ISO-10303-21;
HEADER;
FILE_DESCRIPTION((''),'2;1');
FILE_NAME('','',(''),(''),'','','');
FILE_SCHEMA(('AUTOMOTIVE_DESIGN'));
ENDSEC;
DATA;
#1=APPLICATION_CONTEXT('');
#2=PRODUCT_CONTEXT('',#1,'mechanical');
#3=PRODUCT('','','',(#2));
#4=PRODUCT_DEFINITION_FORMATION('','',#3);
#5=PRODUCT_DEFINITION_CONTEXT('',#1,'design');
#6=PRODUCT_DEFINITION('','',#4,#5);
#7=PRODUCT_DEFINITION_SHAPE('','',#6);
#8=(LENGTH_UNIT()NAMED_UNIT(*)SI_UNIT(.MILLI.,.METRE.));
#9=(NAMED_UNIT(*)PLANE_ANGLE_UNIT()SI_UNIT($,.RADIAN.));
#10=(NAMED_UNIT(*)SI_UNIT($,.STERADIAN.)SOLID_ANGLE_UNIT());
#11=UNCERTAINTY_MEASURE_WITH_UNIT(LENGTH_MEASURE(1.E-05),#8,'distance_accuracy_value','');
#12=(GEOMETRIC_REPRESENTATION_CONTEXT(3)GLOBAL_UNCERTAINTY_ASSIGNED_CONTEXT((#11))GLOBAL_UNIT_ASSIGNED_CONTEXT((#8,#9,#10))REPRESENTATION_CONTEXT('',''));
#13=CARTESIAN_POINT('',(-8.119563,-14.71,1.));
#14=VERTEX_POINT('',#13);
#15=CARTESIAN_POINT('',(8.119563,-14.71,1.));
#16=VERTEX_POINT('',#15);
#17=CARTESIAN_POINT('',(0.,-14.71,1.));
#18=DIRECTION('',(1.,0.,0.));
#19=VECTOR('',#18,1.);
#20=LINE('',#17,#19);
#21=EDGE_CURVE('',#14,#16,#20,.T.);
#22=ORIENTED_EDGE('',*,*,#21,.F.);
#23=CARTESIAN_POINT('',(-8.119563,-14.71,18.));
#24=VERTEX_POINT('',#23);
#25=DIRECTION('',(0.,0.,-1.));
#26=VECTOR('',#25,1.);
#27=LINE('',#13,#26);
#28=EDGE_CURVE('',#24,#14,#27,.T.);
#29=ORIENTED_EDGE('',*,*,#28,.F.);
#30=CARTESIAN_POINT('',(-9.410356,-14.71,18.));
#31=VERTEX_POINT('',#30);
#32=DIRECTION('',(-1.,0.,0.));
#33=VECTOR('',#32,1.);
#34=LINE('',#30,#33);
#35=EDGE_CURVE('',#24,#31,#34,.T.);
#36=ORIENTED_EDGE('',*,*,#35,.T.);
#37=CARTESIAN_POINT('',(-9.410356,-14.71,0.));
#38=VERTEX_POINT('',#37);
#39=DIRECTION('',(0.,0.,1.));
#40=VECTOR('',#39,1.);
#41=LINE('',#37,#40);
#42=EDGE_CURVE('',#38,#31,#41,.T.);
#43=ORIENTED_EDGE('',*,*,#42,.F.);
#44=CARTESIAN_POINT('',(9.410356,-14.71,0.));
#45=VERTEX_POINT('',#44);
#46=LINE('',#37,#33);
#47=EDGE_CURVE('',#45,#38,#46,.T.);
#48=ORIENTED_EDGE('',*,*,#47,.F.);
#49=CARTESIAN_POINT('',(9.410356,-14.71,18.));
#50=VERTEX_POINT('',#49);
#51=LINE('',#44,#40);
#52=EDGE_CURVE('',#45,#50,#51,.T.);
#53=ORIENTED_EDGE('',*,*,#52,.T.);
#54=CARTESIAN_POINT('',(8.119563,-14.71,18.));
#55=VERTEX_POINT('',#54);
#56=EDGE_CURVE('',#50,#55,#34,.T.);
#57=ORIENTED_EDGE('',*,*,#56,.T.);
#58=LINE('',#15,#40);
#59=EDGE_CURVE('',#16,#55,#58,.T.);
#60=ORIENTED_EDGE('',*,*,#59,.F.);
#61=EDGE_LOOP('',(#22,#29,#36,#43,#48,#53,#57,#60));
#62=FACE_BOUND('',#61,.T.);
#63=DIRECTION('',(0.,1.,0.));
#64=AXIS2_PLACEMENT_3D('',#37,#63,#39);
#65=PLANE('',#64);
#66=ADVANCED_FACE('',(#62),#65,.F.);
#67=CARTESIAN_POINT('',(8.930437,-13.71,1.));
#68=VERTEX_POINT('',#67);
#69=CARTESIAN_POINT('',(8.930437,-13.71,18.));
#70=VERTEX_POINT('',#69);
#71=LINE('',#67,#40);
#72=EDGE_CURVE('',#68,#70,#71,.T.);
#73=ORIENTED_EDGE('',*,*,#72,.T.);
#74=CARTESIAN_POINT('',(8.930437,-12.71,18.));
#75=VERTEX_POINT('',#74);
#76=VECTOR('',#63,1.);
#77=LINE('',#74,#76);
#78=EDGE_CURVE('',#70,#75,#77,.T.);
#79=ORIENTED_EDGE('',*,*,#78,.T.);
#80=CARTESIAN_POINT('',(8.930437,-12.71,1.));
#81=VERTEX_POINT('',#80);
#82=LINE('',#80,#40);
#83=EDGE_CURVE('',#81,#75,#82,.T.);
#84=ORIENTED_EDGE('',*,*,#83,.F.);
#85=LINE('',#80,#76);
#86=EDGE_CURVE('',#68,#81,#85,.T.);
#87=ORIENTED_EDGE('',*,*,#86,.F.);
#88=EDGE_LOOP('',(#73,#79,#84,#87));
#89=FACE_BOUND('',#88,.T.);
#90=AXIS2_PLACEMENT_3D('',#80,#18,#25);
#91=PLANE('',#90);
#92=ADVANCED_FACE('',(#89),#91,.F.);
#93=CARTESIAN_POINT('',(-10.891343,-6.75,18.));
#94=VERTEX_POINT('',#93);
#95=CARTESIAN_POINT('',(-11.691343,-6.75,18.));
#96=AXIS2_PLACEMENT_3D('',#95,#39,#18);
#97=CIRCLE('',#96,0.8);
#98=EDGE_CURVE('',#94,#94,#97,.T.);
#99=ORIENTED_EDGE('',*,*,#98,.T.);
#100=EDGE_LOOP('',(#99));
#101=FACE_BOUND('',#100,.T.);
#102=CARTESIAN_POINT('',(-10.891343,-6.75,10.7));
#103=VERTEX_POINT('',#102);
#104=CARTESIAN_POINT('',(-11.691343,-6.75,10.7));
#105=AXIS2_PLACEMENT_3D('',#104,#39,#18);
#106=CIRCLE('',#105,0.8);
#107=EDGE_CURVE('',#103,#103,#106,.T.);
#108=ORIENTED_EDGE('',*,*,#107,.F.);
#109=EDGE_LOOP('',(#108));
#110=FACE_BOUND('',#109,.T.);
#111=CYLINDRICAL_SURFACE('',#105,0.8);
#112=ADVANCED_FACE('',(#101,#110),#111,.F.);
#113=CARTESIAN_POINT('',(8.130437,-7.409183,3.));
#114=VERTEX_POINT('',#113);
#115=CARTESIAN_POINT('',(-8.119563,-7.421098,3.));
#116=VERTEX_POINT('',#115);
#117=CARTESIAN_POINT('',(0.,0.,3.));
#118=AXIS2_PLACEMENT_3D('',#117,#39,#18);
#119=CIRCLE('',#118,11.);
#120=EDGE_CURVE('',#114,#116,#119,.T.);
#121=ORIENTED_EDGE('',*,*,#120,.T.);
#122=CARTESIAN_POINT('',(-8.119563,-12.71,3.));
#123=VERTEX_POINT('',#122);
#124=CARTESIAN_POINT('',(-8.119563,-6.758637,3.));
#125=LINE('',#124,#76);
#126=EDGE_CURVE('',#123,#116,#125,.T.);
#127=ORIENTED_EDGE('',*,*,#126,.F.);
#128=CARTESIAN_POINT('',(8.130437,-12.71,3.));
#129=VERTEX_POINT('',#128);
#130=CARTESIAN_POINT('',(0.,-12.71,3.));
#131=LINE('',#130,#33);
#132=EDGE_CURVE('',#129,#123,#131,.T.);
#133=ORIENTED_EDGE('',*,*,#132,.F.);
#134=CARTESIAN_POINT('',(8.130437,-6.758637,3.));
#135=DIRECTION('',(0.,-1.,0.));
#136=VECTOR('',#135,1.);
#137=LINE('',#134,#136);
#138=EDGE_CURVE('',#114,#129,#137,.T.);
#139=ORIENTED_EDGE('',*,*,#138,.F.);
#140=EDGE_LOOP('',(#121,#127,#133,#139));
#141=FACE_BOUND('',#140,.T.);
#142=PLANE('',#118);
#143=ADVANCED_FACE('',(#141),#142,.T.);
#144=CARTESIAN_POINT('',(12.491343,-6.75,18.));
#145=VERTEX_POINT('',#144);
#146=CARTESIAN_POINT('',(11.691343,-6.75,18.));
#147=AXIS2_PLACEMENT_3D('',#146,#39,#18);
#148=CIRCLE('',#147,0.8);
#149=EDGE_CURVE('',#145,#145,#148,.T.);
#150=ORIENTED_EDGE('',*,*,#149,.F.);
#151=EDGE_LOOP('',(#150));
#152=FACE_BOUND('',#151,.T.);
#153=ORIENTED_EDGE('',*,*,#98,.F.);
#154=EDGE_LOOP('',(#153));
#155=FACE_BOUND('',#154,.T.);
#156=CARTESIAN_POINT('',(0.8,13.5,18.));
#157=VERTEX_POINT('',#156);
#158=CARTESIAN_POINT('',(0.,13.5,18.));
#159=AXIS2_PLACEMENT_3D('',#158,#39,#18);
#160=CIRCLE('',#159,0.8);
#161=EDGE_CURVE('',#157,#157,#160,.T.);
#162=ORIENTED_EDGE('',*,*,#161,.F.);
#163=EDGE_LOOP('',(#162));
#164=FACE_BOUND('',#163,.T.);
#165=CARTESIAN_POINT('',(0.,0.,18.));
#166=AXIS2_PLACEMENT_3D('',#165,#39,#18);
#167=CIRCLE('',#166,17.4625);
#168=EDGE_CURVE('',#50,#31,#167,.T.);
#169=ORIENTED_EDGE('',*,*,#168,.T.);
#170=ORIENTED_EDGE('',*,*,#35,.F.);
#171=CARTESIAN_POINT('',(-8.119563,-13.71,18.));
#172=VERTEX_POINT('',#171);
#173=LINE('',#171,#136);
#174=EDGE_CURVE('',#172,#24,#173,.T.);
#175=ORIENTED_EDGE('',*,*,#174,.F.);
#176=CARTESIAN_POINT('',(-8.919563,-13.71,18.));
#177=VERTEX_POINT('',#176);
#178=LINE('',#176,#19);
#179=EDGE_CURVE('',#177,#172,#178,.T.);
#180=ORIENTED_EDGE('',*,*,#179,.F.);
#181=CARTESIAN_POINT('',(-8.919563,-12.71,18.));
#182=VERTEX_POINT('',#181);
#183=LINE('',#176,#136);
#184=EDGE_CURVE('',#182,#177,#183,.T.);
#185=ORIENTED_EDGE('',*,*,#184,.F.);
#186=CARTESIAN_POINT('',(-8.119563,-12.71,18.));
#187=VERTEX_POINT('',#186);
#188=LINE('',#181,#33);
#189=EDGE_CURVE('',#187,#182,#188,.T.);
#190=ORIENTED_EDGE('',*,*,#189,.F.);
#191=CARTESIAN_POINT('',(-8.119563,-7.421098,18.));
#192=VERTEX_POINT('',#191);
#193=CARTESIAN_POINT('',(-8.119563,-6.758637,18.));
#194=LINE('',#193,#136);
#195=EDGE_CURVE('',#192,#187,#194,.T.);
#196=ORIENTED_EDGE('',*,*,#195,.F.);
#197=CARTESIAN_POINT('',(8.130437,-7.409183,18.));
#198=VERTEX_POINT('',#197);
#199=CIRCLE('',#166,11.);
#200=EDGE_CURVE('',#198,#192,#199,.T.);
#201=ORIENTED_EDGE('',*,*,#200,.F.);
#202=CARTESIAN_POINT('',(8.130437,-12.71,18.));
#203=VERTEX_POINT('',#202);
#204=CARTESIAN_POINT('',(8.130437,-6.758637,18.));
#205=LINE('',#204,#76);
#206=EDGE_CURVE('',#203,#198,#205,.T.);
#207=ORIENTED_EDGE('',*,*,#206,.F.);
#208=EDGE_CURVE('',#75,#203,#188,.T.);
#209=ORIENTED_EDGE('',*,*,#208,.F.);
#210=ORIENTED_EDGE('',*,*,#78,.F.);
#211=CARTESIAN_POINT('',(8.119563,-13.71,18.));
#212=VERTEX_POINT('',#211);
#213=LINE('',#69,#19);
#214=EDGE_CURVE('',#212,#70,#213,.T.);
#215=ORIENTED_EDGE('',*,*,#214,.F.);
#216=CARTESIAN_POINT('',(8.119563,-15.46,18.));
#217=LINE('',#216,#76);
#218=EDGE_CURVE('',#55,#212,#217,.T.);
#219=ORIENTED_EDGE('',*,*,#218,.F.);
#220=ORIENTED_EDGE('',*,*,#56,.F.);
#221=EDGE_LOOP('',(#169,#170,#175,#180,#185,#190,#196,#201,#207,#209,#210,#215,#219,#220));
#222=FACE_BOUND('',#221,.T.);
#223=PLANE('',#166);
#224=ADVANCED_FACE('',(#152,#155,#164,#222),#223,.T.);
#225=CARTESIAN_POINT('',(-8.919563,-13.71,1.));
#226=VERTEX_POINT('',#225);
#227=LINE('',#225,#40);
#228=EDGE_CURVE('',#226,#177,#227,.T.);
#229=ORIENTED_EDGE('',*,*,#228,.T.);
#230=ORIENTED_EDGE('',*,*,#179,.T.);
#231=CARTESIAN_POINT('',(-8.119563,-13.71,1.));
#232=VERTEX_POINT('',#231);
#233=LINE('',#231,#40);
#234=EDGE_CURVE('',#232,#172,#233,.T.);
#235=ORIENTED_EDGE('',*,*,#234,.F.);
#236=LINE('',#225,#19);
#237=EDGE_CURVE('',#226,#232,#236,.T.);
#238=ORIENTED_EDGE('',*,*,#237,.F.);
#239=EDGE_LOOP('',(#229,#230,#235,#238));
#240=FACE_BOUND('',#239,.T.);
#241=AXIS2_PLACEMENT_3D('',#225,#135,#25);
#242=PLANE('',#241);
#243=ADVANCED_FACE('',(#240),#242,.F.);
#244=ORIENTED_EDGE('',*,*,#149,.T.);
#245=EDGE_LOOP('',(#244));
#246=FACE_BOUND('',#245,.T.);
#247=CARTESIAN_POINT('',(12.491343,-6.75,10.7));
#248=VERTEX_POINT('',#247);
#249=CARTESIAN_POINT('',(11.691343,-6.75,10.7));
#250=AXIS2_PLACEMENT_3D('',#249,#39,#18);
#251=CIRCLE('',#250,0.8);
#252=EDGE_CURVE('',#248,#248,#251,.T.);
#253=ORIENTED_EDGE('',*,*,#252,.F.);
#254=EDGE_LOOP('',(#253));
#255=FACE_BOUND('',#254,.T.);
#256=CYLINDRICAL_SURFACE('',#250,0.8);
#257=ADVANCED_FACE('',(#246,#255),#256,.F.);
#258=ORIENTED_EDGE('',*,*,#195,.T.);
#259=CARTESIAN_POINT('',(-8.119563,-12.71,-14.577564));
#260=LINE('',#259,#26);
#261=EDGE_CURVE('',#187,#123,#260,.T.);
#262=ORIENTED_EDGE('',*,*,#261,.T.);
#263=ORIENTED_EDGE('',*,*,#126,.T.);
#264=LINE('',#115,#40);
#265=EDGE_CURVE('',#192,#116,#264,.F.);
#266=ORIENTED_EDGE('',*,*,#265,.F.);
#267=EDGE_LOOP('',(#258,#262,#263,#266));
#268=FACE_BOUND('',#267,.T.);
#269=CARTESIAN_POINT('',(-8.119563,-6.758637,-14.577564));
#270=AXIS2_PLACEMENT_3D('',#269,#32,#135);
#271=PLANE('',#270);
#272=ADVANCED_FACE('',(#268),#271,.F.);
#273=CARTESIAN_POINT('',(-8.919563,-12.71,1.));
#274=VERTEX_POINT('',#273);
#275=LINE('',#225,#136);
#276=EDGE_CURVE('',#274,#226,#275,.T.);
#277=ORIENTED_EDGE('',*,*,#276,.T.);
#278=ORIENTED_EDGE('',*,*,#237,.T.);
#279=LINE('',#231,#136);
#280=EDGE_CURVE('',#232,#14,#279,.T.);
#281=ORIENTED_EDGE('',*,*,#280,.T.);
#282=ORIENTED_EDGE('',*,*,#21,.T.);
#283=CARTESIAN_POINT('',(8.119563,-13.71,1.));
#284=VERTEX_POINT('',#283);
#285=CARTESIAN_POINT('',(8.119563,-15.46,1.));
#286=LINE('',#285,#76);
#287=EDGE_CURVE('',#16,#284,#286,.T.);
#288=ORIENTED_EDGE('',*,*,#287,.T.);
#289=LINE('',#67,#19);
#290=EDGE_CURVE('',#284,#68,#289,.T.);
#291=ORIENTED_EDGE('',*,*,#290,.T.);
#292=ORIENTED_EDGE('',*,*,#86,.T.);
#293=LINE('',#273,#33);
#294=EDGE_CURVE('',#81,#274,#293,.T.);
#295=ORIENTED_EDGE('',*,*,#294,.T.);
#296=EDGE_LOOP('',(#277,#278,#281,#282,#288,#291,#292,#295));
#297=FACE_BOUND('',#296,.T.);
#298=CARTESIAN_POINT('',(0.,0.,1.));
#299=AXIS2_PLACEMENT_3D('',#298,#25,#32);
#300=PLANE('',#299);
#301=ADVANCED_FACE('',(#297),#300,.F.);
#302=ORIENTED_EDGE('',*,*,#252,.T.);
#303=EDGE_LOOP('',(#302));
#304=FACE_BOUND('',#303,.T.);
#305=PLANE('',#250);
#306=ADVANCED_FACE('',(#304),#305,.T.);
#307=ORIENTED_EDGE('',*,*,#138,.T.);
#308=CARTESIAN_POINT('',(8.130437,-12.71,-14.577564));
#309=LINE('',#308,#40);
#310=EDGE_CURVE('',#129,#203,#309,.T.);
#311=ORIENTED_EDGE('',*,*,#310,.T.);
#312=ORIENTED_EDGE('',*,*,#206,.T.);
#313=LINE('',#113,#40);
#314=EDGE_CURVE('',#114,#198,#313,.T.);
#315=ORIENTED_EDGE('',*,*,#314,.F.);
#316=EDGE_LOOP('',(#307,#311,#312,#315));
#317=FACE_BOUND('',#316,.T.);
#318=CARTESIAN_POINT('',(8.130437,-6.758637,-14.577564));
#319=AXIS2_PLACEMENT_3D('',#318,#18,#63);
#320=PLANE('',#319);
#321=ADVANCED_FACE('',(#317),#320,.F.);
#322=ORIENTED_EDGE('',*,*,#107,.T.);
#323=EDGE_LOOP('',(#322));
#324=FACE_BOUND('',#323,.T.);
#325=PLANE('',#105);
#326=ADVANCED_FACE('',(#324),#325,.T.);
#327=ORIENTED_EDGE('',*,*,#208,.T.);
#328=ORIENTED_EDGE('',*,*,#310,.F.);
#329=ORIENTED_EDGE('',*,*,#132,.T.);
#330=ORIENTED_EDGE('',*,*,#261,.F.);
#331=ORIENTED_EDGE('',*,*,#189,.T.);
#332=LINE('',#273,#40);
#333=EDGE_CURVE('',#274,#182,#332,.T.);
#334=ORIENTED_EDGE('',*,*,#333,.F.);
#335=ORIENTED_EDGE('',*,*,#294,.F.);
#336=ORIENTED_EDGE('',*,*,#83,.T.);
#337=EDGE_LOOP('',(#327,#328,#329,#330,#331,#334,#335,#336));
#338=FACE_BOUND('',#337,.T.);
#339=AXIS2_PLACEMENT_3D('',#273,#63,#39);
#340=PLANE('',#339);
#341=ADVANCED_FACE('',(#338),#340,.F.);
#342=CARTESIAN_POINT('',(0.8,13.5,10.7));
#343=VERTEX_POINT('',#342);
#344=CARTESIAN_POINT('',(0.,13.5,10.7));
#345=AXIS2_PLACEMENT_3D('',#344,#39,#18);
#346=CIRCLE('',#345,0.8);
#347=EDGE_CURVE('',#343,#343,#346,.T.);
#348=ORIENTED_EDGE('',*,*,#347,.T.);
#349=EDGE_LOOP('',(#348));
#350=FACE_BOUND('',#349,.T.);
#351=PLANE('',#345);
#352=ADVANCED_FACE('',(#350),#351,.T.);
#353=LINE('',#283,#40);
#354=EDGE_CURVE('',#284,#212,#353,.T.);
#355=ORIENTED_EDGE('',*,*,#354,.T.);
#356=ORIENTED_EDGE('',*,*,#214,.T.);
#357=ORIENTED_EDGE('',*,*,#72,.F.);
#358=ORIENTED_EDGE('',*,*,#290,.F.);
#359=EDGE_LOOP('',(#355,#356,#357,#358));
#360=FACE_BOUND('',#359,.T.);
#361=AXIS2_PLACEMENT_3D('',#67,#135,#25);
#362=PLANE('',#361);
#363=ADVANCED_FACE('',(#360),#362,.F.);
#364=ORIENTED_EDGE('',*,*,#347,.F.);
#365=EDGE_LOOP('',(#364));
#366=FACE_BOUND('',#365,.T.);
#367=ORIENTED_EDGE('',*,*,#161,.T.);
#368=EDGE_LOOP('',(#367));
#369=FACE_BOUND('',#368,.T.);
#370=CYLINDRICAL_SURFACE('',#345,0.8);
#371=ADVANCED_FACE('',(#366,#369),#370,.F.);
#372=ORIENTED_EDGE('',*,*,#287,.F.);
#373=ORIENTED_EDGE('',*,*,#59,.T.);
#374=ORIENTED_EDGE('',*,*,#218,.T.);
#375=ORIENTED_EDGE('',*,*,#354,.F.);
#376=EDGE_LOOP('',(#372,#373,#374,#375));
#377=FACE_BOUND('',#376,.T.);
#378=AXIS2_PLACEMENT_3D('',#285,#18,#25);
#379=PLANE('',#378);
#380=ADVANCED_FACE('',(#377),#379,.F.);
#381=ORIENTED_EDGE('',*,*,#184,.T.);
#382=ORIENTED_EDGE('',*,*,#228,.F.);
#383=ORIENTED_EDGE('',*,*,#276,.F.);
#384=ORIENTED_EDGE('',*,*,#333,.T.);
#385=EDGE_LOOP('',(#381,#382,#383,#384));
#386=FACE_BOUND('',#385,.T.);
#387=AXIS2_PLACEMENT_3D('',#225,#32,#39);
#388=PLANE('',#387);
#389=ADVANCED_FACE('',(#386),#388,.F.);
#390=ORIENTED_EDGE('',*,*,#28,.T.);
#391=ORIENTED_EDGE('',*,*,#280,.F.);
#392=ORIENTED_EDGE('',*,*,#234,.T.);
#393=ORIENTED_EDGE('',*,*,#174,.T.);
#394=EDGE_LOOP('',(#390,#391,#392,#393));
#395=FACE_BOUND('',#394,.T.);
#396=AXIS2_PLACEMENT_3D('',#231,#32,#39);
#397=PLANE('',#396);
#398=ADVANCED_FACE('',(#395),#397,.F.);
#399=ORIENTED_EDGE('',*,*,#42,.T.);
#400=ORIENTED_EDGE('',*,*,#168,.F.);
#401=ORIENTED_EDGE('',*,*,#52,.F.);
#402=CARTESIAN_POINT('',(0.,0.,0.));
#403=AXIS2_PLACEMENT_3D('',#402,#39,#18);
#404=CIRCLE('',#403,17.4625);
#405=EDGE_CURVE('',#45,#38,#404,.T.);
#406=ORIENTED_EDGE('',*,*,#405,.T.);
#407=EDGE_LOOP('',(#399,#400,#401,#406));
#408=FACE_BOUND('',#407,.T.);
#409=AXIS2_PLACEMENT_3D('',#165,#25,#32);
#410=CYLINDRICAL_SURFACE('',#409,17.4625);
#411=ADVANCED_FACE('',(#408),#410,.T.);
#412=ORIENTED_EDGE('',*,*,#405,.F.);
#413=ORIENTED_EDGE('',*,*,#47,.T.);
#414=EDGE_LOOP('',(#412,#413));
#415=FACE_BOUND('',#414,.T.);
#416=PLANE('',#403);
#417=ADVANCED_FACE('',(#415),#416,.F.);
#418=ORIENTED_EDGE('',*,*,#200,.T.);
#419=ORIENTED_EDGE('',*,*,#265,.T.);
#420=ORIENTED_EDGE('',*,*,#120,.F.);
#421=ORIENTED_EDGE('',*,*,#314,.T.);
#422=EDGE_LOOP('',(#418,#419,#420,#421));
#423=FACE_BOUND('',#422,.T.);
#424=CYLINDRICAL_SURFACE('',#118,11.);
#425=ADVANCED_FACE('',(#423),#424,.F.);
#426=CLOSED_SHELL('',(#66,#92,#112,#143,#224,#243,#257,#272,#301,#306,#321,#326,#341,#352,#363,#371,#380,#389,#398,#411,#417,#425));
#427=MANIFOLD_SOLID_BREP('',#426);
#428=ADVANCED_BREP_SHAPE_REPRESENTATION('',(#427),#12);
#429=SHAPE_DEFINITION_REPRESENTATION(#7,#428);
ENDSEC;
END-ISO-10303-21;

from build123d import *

# Parameters (mm, degrees)
SKETCH2_R           = 17.4625
BOSS_EXTRUDE1_DEPTH = 18
SKETCH13_R          = 0.8
CUT_EXTRUDE6_DEPTH  = 7.3
SKETCH16_R          = 11
CUT_EXTRUDE9_DEPTH  = 15
CUT_EXTRUDE11_DEPTH = 22
SKETCH21_W          = 16.25
SKETCH21_H          = 2.78436417
CUT_EXTRUDE12_DEPTH = 31.559414466
CUT_EXTRUDE13_REACH = 32.559
SKETCH24_W          = 16.25
SKETCH24_H          = 6.70136321
CUT_EXTRUDE14_DEPTH = 17
SKETCH27_W          = 18.82071266
SKETCH27_H          = 0.75
CUT_EXTRUDE15_DEPTH = 31.559414466


with BuildPart() as part:
    # Sketch2 → Boss-Extrude1 (new body)
    with BuildSketch(Plane.XY):
        Circle(SKETCH2_R)
    extrude(amount=BOSS_EXTRUDE1_DEPTH)

    # Sketch13 → Cut-Extrude6 (cut)
    with BuildSketch(Plane.XY.offset(18)):
        with Locations((0, 13.5)):
            Circle(SKETCH13_R)
        with Locations((11.691342951, -6.75)):
            Circle(SKETCH13_R)
        with Locations((-11.691342951, -6.75)):
            Circle(SKETCH13_R)
    extrude(amount=-CUT_EXTRUDE6_DEPTH, mode=Mode.SUBTRACT)

    # Sketch16 → Cut-Extrude9 (cut)
    with BuildSketch(Plane.XY.offset(18)):
        Circle(SKETCH16_R)
    extrude(amount=-CUT_EXTRUDE9_DEPTH, mode=Mode.SUBTRACT)

    # Sketch20 → Cut-Extrude11 (cut)
    with BuildSketch(Plane(origin=(5.95728493, 0, -11.08430825), x_dir=(0, 0, 1), z_dir=(0, 1, 0))):
        Polygon((16.52930825, -11.021800725), (16.52930825, -6.906800725), (14.92930825, -6.906800725), (14.92930825, -4.926800725), (16.52930825, -4.926800725), (16.52930825, -0.811800725), (18.05430825, -0.811800725), (18.05430825, 1.028199275), (22.11430825, 1.028199275), (22.11430825, -0.811800725), (23.63930825, -0.811800725), (23.63930825, -11.021800725), (22.11430825, -11.021800725), (22.11430825, -12.861800725), (18.05430825, -12.861800725), (18.05430825, -11.021800725), align=None)
    extrude(amount=-CUT_EXTRUDE11_DEPTH, mode=Mode.SUBTRACT)

    # Sketch21 → Cut-Extrude12 (cut, through all)
    with BuildSketch(Plane.XY.offset(18)):
        with Locations((0, -16.852182085)):
            Rectangle(SKETCH21_W, SKETCH21_H)
    extrude(amount=-CUT_EXTRUDE12_DEPTH, mode=Mode.SUBTRACT)

    # Cut-Extrude13: up to this face of the body (flat: up to its plane)
    cut_extrude13_end = Plane(part.part.faces().sort_by_distance((0, 0, 3))[0])
    # Sketch24 → Cut-Extrude13 (cut, up to the picked face)
    with BuildSketch(Plane.XY.offset(18), mode=Mode.PRIVATE) as cut_extrude13_sk1:
        with Locations((0.005436819, -10.109318395)):
            Rectangle(SKETCH24_W, SKETCH24_H)
    cut_extrude13_tool1 = split(extrude(cut_extrude13_sk1.sketch, amount=-CUT_EXTRUDE13_REACH, mode=Mode.PRIVATE), bisect_by=cut_extrude13_end, keep=Keep.BOTH, mode=Mode.PRIVATE)
    add(cut_extrude13_tool1.solids().sort_by(Axis((0.005437, -10.109318, 18), (0, 0, -1)))[0], mode=Mode.SUBTRACT)

    # Sketch26 → Cut-Extrude14 (cut)
    with BuildSketch(Plane.XY.offset(18)):
        Polygon((-8.119563181, -13.71), (-8.119563181, -15.46), (8.119563181, -15.46), (8.119563181, -13.71), (8.930436819, -13.71), (8.930436819, -12.71), (-8.919563181, -12.71), (-8.919563181, -13.71), align=None)
    extrude(amount=-CUT_EXTRUDE14_DEPTH, mode=Mode.SUBTRACT)

    # Sketch27 → Cut-Extrude15 (cut, through all)
    with BuildSketch(Plane.XY.offset(18)):
        with Locations((0, -15.085)):
            Rectangle(SKETCH27_W, SKETCH27_H)
    extrude(amount=-CUT_EXTRUDE15_DEPTH, mode=Mode.SUBTRACT)


solid = part.part
